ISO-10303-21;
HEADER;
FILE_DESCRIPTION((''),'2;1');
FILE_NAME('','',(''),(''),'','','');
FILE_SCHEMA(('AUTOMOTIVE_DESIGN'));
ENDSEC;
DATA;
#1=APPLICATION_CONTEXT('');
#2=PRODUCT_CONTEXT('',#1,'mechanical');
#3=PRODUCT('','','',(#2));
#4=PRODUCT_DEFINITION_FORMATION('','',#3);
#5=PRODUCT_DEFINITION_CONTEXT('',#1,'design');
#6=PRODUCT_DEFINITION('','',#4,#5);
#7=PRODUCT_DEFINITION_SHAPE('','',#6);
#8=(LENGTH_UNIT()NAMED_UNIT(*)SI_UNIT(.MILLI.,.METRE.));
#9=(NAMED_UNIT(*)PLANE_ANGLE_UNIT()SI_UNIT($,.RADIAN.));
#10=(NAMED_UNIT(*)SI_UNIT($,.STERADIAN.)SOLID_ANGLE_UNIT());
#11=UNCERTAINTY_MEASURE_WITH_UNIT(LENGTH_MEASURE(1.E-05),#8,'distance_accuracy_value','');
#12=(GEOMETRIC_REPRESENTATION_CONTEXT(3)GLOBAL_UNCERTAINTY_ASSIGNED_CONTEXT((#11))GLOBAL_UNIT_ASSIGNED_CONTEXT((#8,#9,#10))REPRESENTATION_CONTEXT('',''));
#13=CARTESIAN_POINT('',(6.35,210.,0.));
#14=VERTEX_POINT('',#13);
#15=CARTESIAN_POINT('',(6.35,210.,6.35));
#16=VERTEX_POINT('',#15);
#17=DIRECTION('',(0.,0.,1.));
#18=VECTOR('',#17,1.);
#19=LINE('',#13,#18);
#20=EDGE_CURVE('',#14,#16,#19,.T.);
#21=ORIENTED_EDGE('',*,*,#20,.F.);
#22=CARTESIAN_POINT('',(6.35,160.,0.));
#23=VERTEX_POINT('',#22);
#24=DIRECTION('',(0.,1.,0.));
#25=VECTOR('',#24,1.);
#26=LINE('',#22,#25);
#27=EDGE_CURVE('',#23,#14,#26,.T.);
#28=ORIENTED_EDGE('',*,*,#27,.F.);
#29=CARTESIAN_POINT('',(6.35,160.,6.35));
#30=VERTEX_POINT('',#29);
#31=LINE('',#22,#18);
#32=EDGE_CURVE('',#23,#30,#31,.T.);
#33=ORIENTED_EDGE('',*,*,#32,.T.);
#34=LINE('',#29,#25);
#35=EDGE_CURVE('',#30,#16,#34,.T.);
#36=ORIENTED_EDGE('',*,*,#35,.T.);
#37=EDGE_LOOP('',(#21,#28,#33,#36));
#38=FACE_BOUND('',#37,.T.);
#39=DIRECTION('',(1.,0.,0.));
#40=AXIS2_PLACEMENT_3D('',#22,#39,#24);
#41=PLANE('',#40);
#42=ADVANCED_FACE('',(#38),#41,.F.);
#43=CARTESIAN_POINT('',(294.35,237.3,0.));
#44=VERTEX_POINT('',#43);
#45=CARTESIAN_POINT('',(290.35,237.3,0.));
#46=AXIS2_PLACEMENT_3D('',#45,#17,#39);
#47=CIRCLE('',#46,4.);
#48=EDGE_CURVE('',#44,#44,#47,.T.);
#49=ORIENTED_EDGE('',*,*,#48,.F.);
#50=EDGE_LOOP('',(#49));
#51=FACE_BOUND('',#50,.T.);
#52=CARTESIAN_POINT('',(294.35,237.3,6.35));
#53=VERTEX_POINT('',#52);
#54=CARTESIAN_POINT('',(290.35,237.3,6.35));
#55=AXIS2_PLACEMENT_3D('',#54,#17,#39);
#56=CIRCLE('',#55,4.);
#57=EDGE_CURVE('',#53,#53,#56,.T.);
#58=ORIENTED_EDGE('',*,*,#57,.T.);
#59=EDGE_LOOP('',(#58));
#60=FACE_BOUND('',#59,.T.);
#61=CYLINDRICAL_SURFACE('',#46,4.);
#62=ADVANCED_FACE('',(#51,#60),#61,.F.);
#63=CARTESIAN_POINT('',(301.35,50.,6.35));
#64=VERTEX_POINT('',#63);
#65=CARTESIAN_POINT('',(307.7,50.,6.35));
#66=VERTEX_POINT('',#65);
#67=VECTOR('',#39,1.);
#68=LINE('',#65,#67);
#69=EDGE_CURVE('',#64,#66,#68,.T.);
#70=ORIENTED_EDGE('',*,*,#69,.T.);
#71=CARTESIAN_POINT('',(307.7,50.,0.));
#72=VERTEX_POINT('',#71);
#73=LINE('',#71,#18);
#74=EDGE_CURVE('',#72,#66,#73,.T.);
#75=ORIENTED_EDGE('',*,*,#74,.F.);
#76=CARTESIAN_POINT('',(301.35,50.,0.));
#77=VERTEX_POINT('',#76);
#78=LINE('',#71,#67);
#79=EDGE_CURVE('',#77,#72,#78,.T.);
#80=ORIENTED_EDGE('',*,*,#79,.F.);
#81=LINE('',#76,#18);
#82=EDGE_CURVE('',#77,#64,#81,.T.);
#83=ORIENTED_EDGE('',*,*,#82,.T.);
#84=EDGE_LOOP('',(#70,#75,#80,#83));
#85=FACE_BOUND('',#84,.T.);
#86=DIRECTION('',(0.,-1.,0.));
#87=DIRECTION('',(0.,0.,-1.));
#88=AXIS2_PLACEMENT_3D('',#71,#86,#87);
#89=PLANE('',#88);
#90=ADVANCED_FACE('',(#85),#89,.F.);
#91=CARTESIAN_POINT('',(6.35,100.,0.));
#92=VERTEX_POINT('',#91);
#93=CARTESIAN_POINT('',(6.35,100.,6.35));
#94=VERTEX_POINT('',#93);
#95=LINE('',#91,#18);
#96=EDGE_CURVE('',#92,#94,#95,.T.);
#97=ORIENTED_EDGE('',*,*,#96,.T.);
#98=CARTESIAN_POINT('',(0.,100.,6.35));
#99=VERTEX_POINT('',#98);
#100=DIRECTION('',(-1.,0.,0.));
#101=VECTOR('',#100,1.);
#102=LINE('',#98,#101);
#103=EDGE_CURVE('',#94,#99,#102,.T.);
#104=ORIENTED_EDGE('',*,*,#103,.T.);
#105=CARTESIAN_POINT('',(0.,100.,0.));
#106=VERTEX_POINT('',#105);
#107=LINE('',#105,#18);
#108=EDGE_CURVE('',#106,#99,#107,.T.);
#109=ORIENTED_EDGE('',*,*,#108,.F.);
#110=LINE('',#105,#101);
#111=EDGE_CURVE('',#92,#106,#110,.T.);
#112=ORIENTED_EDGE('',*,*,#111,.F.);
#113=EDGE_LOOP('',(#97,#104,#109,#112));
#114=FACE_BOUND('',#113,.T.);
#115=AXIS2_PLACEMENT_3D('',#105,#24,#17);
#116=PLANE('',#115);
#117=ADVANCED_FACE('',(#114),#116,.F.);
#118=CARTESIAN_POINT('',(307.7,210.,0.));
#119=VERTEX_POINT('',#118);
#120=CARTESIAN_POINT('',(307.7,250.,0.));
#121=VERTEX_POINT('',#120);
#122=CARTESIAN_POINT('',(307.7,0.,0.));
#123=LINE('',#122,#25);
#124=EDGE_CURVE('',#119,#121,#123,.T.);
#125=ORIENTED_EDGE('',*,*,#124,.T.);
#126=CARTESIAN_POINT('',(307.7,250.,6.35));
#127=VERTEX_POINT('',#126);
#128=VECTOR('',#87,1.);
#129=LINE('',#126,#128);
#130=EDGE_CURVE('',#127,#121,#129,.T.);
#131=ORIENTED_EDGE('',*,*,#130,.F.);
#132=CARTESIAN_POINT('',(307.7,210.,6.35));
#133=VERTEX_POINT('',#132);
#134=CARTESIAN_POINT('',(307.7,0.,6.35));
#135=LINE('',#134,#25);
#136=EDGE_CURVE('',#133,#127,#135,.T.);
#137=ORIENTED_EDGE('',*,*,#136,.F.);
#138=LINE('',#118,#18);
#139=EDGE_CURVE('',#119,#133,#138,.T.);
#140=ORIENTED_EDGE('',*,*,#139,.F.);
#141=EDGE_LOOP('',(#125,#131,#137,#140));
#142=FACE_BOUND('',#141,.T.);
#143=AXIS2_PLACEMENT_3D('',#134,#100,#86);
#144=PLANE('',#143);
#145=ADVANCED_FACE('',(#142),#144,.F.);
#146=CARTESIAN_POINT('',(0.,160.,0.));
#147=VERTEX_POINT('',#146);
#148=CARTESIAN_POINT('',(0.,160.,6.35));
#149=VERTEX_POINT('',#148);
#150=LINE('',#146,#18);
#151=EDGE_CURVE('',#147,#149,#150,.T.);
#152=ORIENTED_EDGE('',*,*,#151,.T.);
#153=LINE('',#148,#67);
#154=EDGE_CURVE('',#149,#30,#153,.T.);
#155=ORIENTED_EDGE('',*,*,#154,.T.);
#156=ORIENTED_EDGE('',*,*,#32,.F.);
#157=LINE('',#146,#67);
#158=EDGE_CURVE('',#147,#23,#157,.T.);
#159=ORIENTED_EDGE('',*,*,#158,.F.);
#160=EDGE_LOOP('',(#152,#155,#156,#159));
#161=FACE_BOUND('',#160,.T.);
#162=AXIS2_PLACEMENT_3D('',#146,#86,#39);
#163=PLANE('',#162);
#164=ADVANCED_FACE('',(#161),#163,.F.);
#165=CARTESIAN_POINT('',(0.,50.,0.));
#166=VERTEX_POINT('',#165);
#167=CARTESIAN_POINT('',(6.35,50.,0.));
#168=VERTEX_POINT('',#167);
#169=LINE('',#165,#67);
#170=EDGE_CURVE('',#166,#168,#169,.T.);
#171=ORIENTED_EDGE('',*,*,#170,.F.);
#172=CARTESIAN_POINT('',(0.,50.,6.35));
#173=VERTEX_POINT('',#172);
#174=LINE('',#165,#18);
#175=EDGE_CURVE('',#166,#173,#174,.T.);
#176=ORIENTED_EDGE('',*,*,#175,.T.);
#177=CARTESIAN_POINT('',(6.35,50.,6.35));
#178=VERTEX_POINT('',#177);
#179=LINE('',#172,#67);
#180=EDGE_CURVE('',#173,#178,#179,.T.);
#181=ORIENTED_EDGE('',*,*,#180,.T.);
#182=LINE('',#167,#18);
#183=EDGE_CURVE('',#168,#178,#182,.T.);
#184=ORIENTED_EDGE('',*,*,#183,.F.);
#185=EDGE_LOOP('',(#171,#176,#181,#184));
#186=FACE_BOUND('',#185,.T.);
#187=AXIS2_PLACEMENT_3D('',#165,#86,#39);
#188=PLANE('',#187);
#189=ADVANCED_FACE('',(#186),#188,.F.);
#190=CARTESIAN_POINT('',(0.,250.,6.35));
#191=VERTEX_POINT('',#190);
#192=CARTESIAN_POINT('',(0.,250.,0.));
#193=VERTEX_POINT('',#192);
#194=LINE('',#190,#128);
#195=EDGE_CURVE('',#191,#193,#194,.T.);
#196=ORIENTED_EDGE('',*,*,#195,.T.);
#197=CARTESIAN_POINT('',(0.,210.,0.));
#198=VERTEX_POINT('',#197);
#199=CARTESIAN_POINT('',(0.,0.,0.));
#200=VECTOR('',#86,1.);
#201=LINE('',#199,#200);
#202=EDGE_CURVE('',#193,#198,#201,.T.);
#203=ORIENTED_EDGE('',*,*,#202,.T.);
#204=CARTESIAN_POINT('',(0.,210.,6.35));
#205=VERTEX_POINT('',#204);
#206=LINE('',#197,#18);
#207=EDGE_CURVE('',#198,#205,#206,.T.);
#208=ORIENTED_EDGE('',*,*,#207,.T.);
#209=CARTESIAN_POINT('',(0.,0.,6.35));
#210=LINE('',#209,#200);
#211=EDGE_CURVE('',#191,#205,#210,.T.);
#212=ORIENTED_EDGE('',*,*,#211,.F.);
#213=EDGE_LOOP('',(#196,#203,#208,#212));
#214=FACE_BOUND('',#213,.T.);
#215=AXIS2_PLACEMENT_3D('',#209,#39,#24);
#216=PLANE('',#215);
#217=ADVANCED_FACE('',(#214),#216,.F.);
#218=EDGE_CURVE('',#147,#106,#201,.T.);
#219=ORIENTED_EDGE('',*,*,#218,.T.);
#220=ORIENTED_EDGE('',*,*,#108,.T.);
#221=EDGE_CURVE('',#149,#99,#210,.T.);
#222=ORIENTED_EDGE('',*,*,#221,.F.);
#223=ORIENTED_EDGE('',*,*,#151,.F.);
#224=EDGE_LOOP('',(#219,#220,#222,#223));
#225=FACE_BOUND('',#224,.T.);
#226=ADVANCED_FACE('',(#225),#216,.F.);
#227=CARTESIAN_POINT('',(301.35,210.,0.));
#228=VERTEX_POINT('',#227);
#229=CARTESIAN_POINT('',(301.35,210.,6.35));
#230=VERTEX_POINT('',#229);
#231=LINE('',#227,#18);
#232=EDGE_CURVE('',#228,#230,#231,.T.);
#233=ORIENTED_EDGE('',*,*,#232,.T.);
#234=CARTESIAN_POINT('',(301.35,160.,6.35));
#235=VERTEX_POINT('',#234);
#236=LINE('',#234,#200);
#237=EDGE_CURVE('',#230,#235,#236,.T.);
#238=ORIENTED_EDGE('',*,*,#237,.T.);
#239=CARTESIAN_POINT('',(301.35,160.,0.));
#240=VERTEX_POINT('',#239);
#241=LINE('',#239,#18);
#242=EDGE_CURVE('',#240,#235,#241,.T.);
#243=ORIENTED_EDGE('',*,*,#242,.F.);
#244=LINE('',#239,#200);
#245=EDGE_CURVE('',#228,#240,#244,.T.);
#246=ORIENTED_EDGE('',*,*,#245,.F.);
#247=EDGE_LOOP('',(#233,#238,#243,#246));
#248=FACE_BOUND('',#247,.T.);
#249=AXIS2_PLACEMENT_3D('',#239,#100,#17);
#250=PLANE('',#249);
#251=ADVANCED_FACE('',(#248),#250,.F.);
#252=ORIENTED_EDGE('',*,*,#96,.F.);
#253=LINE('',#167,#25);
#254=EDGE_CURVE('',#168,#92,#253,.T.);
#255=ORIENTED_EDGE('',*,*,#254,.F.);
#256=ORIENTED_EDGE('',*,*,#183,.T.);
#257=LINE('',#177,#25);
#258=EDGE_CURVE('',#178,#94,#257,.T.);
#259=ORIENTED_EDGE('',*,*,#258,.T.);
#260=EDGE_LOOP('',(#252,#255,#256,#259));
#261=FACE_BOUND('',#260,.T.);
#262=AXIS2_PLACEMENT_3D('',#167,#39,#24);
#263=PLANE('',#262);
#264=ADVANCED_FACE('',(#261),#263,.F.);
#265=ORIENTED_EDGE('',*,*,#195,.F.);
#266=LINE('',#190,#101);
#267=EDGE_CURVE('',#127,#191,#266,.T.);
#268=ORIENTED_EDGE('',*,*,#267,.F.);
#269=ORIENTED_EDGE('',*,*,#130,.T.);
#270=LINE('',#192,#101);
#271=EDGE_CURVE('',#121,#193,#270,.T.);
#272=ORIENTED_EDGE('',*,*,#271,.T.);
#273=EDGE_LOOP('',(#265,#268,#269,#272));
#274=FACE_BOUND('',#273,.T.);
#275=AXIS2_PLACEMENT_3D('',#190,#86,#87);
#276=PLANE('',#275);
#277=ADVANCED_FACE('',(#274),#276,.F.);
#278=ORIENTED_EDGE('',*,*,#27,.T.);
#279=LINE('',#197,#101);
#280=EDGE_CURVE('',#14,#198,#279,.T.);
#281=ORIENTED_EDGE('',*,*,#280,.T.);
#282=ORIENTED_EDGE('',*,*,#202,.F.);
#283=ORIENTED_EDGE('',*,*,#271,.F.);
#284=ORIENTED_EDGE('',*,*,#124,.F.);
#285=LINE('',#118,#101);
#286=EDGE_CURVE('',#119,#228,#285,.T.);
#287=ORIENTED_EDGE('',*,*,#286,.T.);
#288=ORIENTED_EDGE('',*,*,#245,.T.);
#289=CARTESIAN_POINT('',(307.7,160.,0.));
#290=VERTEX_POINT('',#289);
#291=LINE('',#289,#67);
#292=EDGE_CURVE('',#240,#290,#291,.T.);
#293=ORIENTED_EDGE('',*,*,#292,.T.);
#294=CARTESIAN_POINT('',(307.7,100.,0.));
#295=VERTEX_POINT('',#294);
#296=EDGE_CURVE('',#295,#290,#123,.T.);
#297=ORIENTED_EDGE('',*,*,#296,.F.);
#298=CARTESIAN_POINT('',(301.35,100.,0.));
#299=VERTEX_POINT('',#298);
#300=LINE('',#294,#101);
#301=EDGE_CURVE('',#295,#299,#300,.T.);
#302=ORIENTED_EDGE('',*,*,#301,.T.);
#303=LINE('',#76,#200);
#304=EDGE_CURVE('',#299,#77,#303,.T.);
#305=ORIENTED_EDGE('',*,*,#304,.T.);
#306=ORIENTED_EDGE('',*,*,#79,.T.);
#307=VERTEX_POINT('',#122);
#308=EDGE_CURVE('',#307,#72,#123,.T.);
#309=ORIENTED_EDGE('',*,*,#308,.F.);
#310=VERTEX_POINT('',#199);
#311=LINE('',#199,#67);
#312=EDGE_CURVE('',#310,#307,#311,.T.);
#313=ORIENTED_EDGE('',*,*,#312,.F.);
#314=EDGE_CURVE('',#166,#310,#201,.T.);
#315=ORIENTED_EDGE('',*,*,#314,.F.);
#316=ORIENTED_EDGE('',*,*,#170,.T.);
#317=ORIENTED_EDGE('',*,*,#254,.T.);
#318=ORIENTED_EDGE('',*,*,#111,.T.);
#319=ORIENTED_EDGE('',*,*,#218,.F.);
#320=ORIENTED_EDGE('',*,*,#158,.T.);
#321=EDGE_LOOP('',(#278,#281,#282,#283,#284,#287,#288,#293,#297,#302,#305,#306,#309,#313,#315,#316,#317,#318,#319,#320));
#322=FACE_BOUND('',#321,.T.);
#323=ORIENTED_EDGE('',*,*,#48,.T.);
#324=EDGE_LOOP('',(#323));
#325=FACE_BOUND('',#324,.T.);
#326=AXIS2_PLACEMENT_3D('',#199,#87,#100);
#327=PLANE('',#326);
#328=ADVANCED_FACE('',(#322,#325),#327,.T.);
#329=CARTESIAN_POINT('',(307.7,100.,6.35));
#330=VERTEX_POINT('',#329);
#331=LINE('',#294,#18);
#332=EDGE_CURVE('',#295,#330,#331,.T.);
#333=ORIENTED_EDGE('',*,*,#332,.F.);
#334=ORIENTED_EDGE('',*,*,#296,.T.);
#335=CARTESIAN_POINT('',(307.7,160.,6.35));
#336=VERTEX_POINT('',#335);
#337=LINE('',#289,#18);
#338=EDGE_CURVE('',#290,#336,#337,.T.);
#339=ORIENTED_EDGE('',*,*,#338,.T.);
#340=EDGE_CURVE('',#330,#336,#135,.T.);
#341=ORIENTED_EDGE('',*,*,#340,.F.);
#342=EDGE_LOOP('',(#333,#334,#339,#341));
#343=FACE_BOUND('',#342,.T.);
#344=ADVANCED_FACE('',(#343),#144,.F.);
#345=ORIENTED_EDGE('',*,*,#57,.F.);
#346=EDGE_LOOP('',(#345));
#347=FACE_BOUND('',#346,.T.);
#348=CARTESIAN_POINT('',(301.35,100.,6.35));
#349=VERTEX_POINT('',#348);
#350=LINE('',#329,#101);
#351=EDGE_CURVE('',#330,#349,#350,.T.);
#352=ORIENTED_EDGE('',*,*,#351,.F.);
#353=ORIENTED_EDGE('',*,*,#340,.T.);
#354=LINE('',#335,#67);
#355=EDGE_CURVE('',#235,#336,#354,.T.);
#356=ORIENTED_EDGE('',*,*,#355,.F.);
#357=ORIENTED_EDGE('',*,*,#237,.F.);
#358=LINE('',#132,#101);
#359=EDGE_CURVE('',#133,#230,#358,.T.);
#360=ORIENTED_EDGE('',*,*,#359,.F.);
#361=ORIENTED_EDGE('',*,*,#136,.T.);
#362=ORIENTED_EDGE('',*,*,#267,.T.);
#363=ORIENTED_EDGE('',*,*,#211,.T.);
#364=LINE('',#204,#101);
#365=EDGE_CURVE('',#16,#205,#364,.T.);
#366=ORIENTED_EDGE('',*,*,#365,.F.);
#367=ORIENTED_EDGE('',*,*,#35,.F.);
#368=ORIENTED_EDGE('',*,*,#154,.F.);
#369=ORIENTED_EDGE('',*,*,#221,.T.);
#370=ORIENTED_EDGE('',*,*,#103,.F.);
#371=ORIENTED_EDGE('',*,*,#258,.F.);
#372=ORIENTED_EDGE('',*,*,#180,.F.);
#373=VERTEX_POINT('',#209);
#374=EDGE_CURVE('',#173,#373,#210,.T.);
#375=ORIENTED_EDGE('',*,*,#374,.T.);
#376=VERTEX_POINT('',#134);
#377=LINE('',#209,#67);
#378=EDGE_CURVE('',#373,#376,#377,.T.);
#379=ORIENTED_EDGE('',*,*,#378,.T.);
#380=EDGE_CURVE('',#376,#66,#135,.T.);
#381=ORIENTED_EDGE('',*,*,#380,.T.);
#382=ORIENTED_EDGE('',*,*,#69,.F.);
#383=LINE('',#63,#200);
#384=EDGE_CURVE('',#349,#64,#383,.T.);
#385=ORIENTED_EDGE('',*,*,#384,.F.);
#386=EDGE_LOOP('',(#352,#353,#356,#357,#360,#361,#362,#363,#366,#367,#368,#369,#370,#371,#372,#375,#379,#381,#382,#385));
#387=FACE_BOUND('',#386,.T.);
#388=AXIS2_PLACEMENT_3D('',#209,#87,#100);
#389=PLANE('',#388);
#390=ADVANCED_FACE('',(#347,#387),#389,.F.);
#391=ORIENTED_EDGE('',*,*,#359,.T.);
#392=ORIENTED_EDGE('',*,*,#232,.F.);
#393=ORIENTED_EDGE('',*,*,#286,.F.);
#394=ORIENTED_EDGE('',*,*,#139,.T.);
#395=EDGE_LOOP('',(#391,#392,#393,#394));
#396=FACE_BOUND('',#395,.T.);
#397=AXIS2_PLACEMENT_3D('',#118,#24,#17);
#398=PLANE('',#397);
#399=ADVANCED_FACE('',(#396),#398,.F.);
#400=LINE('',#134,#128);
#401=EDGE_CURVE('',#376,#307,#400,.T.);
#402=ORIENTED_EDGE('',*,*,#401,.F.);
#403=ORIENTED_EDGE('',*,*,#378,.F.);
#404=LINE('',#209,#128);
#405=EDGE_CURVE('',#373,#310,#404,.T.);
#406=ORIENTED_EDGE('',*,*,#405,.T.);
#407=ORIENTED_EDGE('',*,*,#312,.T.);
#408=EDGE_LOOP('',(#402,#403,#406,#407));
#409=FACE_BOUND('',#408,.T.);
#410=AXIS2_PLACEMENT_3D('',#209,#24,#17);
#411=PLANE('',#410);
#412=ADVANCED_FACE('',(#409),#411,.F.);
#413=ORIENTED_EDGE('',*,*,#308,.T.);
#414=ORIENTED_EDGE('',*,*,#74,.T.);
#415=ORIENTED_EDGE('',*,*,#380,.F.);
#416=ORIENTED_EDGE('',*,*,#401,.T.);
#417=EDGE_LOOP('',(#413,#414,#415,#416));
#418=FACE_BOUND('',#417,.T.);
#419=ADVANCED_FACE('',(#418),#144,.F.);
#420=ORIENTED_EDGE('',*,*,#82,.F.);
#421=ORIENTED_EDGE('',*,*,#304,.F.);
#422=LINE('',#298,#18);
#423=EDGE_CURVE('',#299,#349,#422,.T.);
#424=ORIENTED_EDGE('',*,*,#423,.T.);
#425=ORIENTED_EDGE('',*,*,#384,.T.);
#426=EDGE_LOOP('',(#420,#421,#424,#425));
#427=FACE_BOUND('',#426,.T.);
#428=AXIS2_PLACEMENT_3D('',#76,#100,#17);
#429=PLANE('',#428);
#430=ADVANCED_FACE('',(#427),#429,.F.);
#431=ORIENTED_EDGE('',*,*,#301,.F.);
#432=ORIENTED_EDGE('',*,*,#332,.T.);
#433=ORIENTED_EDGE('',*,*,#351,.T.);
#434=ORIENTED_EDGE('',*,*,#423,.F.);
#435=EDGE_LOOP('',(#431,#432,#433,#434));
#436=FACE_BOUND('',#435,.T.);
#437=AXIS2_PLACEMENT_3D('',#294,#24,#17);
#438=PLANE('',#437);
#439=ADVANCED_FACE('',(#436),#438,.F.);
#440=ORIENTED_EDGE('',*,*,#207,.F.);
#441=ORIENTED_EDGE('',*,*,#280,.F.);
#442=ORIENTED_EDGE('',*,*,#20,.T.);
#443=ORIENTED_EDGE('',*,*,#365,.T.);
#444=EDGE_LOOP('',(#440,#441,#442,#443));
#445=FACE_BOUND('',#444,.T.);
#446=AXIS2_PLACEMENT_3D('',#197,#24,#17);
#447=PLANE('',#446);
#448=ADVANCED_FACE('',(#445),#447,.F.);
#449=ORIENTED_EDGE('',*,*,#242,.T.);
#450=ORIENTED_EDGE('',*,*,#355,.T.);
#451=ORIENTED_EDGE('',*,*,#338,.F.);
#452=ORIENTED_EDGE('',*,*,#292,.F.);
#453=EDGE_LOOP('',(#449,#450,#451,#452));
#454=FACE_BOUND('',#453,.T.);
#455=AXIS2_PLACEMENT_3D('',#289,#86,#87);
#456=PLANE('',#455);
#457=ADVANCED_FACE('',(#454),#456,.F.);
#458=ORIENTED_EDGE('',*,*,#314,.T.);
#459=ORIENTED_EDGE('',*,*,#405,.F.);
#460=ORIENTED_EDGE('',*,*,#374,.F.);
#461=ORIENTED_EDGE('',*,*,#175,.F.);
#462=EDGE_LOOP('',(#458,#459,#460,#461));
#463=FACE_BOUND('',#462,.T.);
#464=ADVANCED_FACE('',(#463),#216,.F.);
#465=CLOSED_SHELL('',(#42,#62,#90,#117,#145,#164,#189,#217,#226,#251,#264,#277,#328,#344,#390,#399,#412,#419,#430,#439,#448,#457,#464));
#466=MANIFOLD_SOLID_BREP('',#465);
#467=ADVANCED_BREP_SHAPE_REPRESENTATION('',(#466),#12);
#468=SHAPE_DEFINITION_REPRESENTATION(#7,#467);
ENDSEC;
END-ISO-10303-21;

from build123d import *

# Parameters (mm, degrees)
SKETCH1_W           = 307.7
SKETCH1_H           = 250
BOSS_EXTRUDE1_DEPTH = 6.35
SKETCH2_R           = 4
SKETCH2_W           = 6.35
SKETCH2_H           = 50
CUT_EXTRUDE1_DEPTH  = 397.509284254


with BuildPart() as part:
    # Sketch1 → Boss-Extrude1 (new body)
    with BuildSketch(Plane.XY):
        with Locations((153.85, 125)):
            Rectangle(SKETCH1_W, SKETCH1_H)
    extrude(amount=BOSS_EXTRUDE1_DEPTH)

    # Sketch2 → Cut-Extrude1 (cut, through all)
    with BuildSketch(Plane.XY.offset(6.35)):
        with Locations((290.35, 237.3)):
            Circle(SKETCH2_R)
        with Locations((304.525, 75)):
            Rectangle(SKETCH2_W, SKETCH2_H)
        with Locations((304.525, 185)):
            Rectangle(SKETCH2_W, SKETCH2_H)
        with Locations((3.175, 75)):
            Rectangle(SKETCH2_W, SKETCH2_H)
        with Locations((3.175, 185)):
            Rectangle(SKETCH2_W, SKETCH2_H)
    extrude(amount=-CUT_EXTRUDE1_DEPTH, mode=Mode.SUBTRACT)


solid = part.part
